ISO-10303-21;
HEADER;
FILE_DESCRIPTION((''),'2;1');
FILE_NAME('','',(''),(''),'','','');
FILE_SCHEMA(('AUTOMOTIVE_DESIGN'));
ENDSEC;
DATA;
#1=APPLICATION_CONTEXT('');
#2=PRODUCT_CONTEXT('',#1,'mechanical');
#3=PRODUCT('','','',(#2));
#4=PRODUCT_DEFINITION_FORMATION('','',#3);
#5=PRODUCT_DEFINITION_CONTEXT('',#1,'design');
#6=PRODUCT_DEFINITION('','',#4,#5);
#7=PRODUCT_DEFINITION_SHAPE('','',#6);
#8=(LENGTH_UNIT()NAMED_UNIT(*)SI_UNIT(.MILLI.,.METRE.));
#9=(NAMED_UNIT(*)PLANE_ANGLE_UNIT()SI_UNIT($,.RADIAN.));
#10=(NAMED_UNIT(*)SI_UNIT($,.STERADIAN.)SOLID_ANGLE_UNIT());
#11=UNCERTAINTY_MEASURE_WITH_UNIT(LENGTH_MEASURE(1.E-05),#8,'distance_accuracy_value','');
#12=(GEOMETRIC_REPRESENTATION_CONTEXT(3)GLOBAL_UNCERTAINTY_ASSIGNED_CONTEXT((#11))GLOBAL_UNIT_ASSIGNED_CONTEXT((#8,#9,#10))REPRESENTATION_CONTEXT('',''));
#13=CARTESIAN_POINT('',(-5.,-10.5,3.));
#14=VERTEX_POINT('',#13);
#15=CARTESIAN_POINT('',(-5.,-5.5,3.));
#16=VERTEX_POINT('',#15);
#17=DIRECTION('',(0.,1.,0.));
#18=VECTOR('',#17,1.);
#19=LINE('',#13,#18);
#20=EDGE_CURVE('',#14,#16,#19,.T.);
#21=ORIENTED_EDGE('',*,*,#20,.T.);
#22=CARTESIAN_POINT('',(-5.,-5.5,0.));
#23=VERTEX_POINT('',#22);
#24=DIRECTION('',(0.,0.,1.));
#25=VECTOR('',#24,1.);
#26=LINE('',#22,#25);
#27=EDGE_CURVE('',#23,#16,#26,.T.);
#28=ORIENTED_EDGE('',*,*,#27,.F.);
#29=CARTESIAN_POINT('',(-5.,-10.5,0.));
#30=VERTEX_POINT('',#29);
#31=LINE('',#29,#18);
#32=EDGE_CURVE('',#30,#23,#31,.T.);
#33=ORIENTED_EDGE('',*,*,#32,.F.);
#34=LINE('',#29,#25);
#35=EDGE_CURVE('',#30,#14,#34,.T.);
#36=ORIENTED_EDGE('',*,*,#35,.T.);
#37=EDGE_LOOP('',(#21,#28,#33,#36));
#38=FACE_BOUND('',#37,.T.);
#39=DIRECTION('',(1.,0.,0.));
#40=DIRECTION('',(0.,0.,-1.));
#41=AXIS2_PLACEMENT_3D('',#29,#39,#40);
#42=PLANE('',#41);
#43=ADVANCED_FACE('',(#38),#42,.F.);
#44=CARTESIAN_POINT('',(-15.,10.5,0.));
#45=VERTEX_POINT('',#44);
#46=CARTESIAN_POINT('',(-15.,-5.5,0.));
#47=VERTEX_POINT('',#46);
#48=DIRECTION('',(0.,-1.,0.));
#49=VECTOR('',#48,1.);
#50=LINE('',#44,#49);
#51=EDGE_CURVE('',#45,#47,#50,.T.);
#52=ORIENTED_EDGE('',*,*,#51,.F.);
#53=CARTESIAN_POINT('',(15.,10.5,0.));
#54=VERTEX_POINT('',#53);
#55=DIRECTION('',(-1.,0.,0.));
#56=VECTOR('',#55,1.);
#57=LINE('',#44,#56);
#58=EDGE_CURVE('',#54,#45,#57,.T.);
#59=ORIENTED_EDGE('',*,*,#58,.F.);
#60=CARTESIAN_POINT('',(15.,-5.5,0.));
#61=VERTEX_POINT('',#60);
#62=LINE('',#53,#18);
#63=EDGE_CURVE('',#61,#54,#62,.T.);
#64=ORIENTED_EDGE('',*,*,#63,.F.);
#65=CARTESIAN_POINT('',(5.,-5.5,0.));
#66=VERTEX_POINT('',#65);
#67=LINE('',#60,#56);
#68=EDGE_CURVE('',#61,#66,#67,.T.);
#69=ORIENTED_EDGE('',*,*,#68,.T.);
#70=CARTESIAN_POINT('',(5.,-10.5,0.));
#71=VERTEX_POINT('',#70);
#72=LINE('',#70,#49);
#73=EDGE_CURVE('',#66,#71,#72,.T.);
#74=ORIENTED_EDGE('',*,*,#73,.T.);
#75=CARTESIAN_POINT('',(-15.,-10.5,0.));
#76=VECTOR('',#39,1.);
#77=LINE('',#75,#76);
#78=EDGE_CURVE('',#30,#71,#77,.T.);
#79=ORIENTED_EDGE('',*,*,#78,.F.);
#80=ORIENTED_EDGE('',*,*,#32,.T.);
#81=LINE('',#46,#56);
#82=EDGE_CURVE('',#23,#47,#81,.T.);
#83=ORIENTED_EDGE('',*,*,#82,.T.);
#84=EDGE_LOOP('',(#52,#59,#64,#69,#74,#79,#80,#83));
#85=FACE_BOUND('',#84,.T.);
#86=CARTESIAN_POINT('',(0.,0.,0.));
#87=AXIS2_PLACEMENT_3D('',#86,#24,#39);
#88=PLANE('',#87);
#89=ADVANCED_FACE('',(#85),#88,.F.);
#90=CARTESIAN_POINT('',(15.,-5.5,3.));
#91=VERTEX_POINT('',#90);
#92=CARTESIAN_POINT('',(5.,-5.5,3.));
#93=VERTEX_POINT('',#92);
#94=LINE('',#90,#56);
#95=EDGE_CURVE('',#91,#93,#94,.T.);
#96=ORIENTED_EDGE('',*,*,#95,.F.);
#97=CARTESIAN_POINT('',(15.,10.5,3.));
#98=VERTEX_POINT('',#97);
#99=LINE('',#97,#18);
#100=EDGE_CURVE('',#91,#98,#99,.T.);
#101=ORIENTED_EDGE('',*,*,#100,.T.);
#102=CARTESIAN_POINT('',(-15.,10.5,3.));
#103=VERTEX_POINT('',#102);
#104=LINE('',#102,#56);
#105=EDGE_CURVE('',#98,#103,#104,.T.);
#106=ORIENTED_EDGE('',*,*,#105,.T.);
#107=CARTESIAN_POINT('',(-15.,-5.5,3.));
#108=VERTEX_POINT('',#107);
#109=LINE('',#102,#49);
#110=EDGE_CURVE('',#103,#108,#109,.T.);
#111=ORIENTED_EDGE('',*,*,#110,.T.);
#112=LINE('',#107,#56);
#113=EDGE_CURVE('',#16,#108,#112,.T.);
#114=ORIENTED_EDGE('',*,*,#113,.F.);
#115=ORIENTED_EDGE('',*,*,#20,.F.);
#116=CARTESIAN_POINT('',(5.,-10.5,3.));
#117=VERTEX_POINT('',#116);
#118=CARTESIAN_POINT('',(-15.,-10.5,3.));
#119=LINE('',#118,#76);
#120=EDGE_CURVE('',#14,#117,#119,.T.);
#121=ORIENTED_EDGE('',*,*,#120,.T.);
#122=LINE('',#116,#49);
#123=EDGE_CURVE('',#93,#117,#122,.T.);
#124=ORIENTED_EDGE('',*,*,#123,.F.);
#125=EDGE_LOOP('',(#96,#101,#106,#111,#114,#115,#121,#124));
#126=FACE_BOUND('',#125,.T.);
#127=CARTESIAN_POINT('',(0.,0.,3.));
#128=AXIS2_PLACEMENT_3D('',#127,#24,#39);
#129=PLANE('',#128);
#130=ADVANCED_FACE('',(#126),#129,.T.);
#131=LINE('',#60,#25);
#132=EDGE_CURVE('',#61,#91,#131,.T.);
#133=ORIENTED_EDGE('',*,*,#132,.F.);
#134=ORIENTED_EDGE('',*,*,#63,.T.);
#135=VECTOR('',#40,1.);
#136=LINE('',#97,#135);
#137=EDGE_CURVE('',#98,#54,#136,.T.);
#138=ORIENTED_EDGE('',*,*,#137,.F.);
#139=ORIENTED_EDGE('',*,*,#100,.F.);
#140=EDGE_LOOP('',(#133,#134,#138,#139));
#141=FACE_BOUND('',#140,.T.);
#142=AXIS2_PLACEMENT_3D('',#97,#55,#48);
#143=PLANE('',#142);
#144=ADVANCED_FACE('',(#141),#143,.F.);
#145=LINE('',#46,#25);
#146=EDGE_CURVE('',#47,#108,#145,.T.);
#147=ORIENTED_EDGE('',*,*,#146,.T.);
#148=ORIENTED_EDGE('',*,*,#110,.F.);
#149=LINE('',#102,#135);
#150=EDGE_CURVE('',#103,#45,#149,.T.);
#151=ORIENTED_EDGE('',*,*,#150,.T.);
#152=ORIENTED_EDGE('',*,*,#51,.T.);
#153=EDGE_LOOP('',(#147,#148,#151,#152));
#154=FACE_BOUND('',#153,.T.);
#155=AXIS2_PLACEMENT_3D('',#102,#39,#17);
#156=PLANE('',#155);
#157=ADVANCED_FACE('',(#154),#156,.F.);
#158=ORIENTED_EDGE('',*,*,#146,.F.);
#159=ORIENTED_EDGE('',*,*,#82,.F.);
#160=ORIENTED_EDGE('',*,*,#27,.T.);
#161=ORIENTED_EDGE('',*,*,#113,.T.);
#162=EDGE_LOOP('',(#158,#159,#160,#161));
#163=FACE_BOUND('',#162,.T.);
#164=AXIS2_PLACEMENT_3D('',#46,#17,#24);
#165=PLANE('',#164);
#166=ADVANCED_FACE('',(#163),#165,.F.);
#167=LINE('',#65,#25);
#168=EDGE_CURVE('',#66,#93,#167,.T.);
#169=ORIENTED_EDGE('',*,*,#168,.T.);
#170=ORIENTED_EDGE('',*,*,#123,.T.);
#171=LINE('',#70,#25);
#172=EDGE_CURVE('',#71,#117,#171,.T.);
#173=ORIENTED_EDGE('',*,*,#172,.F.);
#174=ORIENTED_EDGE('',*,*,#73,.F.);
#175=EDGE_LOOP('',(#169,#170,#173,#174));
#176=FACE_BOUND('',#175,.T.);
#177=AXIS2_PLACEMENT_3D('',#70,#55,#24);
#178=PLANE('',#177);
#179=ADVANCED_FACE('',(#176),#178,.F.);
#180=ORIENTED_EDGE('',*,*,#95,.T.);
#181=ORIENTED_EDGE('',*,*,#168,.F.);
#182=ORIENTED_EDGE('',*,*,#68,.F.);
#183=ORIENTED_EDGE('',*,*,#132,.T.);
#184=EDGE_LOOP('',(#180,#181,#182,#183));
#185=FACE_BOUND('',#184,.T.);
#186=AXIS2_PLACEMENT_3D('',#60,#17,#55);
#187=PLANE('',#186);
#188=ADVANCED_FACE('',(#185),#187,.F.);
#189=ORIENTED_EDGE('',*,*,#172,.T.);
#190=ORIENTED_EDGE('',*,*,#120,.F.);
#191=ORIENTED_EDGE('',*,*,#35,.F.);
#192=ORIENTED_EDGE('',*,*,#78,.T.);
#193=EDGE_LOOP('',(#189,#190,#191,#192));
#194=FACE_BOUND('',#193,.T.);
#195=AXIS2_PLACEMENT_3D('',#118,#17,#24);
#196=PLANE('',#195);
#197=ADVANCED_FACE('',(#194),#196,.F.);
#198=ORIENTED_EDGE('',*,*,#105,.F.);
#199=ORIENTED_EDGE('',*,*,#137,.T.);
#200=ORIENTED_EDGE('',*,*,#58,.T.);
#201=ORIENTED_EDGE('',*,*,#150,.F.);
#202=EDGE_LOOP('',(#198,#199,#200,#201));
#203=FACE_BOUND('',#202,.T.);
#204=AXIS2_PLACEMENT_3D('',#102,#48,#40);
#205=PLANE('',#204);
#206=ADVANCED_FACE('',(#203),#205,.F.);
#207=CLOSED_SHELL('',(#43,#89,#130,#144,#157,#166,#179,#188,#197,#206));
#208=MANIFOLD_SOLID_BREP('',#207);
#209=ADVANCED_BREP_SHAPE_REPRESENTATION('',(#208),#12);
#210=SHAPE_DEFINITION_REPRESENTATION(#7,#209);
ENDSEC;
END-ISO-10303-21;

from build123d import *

# Parameters (mm, degrees)
SKETCH1_W           = 30
SKETCH1_H           = 21
BOSS_EXTRUDE1_DEPTH = 3
SKETCH3_W           = 10
SKETCH3_H           = 5
CUT_EXTRUDE1_DEPTH  = 3


with BuildPart() as part:
    # Sketch1 → Boss-Extrude1 (new body)
    with BuildSketch(Plane.XY):
        Rectangle(SKETCH1_W, SKETCH1_H)
    extrude(amount=BOSS_EXTRUDE1_DEPTH)

    # Sketch3 → Cut-Extrude1 (cut)
    with BuildSketch(Plane.XY.offset(3)):
        with Locations((-10, -8)):
            Rectangle(SKETCH3_W, SKETCH3_H)
        with Locations((10, -8)):
            Rectangle(SKETCH3_W, SKETCH3_H)
    extrude(amount=-CUT_EXTRUDE1_DEPTH, mode=Mode.SUBTRACT)


solid = part.part
